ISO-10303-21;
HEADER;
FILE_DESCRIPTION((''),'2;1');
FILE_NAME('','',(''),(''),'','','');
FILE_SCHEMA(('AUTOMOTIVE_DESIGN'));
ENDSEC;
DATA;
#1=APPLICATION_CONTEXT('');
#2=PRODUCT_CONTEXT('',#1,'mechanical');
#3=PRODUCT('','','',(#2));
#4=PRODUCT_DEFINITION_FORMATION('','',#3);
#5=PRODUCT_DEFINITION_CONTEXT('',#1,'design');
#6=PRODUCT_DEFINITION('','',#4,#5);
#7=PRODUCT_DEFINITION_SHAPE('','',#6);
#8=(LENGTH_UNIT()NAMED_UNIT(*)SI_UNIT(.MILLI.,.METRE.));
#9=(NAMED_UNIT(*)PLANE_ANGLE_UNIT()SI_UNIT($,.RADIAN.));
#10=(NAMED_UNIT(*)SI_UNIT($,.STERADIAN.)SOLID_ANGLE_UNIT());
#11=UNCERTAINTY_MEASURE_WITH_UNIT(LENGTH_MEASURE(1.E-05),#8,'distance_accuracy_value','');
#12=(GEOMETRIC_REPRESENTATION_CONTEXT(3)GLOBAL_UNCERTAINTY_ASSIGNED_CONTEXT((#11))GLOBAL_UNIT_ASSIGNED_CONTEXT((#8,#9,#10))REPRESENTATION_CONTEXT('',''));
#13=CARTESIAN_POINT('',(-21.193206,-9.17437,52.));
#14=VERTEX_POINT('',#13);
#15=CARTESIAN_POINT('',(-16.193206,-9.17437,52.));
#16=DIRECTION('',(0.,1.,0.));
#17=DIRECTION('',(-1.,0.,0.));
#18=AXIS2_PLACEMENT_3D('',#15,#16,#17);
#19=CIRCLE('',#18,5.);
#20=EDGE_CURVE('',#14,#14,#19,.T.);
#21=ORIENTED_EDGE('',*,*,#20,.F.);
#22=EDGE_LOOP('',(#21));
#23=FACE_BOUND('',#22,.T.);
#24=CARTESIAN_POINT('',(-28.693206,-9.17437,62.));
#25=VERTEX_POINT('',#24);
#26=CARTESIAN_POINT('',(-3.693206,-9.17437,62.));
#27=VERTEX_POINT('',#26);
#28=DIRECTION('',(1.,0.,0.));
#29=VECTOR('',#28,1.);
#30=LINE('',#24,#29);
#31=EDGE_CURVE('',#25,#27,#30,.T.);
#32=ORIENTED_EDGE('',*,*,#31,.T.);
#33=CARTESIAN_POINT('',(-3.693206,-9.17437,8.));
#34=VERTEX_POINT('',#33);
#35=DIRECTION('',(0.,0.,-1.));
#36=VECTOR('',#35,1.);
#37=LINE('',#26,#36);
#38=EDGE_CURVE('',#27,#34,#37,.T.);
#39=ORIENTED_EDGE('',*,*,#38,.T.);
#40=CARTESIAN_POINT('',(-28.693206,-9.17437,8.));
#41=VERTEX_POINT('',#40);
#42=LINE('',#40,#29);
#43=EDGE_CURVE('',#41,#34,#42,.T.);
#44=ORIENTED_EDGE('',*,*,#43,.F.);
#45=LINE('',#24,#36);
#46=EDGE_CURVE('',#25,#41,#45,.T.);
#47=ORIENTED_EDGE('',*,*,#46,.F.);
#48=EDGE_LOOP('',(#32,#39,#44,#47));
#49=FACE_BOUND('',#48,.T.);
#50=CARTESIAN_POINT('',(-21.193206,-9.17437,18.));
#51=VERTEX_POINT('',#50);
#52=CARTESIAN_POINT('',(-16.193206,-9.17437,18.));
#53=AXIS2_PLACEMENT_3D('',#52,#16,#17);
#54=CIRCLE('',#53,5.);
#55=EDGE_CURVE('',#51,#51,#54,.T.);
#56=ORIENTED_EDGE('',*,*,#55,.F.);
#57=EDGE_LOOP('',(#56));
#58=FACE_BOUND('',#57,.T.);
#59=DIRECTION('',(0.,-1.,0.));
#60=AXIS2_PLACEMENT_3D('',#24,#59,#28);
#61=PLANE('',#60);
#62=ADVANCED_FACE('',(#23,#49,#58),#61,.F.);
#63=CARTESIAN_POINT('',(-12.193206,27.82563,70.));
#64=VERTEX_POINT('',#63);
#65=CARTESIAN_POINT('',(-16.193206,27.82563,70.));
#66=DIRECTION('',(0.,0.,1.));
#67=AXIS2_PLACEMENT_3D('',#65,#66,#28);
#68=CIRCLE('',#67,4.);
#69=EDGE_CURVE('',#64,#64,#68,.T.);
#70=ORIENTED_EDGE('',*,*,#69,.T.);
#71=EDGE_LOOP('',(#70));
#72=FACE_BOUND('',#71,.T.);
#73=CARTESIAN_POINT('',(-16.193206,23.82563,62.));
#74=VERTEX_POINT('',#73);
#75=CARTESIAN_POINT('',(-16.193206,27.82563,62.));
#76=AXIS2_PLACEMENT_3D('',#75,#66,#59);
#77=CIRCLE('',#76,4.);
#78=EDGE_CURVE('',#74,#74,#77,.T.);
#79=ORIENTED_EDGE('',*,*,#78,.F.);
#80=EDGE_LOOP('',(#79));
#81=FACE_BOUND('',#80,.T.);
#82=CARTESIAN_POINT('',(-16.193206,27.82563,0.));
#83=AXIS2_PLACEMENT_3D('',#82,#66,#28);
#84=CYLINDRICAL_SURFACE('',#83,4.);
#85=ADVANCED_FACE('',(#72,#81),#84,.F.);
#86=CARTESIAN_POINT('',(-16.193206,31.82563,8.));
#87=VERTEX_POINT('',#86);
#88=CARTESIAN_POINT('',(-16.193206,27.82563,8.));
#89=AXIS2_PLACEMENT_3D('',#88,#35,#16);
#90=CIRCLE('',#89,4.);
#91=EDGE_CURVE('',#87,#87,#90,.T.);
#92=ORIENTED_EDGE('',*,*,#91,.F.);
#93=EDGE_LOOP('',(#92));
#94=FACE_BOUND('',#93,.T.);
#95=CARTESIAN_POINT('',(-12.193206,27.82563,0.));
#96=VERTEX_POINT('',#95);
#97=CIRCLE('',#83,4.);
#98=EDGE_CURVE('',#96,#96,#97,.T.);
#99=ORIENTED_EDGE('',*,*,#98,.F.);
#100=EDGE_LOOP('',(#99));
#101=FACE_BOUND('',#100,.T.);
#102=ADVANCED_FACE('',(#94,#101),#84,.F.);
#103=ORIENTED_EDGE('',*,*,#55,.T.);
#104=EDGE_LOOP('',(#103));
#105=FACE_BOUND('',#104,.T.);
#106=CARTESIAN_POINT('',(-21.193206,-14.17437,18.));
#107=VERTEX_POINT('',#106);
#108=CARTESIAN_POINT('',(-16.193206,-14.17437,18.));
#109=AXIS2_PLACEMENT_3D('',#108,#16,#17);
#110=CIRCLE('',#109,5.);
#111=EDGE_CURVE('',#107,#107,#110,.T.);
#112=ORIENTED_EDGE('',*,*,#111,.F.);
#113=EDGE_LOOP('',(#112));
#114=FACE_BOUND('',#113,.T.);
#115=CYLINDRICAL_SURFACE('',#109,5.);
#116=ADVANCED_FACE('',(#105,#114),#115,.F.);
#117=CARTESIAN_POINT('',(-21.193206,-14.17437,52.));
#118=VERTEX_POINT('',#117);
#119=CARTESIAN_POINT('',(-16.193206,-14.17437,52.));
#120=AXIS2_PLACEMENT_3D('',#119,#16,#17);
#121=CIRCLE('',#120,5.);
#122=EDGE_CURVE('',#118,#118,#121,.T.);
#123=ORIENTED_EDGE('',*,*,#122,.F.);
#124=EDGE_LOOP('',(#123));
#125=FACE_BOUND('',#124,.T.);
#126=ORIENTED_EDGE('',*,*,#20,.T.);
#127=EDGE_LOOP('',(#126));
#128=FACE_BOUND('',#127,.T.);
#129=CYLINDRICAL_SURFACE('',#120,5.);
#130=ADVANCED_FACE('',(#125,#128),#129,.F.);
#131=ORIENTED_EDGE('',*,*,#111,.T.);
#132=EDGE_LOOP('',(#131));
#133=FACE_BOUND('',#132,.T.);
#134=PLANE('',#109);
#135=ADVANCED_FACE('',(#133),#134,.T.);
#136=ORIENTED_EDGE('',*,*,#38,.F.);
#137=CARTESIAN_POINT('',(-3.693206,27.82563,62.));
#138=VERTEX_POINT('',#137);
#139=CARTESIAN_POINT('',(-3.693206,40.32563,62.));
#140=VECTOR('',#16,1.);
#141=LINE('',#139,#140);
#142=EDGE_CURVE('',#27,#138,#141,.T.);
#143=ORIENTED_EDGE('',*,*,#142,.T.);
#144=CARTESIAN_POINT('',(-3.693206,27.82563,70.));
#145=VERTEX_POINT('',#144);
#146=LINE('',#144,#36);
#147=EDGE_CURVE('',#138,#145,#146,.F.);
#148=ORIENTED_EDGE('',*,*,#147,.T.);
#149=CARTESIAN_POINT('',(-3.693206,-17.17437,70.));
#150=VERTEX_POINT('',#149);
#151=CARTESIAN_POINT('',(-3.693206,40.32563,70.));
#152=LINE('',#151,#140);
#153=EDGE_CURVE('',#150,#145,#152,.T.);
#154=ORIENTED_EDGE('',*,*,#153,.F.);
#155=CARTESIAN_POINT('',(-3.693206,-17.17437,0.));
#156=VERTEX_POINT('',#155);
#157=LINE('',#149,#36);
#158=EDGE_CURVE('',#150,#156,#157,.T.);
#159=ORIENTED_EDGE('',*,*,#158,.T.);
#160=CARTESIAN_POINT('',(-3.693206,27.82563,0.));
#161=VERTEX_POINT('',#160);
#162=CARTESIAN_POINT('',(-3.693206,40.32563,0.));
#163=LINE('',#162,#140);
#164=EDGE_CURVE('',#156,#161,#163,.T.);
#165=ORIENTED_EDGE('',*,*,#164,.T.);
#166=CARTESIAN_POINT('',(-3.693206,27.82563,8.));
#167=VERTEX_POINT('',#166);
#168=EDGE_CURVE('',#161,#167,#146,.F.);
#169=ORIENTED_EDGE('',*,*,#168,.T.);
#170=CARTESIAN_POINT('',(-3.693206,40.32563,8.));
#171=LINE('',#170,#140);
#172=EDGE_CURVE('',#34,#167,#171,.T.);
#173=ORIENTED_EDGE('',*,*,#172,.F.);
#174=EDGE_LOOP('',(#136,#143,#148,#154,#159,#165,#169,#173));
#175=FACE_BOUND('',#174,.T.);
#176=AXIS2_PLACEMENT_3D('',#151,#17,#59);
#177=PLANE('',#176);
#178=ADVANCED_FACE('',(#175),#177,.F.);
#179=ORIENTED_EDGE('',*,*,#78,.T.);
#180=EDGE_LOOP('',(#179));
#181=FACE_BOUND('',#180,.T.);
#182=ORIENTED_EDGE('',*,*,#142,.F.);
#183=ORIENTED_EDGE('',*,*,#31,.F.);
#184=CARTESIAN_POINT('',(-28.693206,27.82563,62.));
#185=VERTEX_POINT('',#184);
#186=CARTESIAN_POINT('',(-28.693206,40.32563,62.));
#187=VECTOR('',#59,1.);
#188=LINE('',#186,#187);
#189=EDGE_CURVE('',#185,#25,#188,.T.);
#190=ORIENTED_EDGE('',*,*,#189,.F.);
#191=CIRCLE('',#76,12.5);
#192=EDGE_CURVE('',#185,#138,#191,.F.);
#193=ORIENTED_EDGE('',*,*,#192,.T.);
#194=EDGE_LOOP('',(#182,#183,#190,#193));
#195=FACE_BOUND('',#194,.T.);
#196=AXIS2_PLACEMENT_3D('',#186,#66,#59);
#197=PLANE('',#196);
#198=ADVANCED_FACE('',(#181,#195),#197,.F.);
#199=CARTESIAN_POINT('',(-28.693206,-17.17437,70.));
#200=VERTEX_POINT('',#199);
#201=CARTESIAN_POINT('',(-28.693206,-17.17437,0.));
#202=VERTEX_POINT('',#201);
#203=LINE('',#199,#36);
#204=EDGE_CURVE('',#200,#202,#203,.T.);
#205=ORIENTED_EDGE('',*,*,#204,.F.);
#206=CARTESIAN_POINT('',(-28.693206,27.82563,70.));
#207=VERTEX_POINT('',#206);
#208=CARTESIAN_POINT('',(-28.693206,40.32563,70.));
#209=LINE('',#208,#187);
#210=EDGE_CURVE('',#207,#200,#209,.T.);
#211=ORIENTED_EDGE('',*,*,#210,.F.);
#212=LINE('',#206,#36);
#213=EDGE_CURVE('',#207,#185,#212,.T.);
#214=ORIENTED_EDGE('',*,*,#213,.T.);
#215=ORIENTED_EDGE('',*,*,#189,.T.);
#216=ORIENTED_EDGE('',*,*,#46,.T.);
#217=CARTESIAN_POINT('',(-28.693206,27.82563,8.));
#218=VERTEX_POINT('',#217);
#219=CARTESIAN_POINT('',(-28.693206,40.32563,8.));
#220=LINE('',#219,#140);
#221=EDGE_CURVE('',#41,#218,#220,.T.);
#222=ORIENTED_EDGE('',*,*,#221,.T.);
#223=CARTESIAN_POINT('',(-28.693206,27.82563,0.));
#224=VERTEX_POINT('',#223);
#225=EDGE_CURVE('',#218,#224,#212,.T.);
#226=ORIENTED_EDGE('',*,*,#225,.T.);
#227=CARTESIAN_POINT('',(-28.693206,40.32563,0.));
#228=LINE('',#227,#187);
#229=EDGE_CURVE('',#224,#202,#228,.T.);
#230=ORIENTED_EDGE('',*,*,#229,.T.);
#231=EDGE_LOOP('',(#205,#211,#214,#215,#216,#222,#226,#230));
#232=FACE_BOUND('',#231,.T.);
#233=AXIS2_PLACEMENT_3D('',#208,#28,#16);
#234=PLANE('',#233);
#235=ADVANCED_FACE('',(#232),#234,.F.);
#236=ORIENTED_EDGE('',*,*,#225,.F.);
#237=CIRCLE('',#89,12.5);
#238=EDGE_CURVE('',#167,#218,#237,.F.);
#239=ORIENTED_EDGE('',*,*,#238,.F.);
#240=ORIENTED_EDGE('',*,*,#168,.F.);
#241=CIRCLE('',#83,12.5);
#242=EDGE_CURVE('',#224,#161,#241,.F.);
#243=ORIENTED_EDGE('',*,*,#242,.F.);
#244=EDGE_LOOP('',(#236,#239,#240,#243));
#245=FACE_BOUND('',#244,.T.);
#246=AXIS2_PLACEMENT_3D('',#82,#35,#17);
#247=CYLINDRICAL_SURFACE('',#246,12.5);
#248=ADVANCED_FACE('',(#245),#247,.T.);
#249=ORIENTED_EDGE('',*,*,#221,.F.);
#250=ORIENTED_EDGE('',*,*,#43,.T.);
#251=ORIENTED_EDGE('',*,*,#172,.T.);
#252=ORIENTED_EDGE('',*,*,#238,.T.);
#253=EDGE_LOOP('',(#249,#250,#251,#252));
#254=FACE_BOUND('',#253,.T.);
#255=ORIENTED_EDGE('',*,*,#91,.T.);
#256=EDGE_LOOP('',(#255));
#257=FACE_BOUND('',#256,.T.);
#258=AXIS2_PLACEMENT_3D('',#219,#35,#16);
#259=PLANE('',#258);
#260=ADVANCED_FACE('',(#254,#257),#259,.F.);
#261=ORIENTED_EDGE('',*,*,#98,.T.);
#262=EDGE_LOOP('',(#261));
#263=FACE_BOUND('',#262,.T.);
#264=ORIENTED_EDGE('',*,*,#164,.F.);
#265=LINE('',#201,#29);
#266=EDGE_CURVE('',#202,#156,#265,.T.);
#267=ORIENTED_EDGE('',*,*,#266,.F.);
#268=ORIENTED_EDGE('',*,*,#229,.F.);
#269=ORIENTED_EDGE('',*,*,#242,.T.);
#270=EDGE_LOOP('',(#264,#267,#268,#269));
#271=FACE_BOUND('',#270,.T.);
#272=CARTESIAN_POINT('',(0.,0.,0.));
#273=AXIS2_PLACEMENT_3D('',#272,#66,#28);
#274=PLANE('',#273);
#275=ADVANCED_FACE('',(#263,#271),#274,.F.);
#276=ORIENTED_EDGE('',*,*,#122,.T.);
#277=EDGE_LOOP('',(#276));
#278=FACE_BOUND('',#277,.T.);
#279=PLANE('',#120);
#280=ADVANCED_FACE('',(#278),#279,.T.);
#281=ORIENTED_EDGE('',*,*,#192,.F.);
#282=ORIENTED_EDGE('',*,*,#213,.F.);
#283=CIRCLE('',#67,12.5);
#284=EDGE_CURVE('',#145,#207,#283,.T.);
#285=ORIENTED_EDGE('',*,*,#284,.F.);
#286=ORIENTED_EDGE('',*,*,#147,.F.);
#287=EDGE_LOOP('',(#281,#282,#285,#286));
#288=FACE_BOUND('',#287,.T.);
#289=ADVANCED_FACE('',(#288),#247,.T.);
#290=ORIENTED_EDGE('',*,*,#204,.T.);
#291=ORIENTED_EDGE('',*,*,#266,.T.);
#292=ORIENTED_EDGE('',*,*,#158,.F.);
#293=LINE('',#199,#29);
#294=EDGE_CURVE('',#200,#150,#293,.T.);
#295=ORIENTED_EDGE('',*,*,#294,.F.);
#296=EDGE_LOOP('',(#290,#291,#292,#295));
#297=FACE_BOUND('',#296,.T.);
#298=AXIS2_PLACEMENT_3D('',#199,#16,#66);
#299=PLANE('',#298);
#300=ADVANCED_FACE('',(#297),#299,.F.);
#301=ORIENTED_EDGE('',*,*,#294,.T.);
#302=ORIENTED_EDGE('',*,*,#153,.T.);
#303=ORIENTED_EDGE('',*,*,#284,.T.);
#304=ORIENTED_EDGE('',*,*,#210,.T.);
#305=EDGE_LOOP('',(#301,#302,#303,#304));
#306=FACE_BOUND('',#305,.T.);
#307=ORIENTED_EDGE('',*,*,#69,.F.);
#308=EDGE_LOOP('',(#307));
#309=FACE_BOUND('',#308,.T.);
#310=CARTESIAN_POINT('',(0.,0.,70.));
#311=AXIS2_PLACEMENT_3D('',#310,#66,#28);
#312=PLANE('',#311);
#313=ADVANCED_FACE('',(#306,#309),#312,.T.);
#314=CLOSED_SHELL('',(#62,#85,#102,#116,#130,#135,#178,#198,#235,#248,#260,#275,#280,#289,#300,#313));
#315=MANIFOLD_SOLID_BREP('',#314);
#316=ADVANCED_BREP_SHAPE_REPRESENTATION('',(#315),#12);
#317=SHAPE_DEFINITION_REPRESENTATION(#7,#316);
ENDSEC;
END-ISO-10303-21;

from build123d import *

# Parameters (mm, degrees)
IZIM1_W                     = 25
IZIM1_H                     = 57.5
Y_KSEKLIK_EKSTR_ZYON1_DEPTH = 70
RADYUS1_RADIUS              = 12.5
RADYUS1_LENGTH              = 70
IZIM3_W                     = 54
IZIM3_H                     = 49.5
KES_EKSTR_ZYON1_DEPTH       = 85.564510613
IZIM4_R                     = 5
KES_EKSTR_ZYON2_DEPTH       = 5
IZIM5_R                     = 4
KES_EKSTR_ZYON3_DEPTH       = 86.728971246


with BuildPart() as part:
    # Çizim1 → Yükseklik-Ekstrüzyon1 (new body)
    with BuildSketch(Plane.XY):
        with Locations((-16.193205739, 11.575630252)):
            Rectangle(IZIM1_W, IZIM1_H)
    extrude(amount=Y_KSEKLIK_EKSTR_ZYON1_DEPTH)

    # Radyus1: full round fillet: the end face becomes a half cylinder, R = half its width
    radyus1_face = Plane((-16.193205739, 40.325630252, 35), x_dir=(0, 0, 1), z_dir=(0, 1, 0))  # on the end face: x along it, z out of the body
    radyus1_slab = radyus1_face.offset(-RADYUS1_RADIUS / 2) * Box(RADYUS1_LENGTH, 2 * RADYUS1_RADIUS, RADYUS1_RADIUS, mode=Mode.PRIVATE)  # the body's end, R deep
    radyus1_round = Plane((-16.193205739, 27.825630252, 35), x_dir=(0, 1, 0), z_dir=(0, 0, 1)) * Cylinder(RADYUS1_RADIUS, RADYUS1_LENGTH, mode=Mode.PRIVATE)  # its axis R under the face
    add(radyus1_slab - radyus1_round, mode=Mode.SUBTRACT)

    # Çizim3 → Kes-Ekstrüzyon1 (cut, through all)
    with BuildSketch(Plane(origin=(-3.693205739, 0, 0), x_dir=(0, 0, -1), z_dir=(1, 0, 0))):
        with Locations((-35, 15.575630252)):
            Rectangle(IZIM3_W, IZIM3_H)
    extrude(amount=-KES_EKSTR_ZYON1_DEPTH, mode=Mode.SUBTRACT)

    # Çizim4 → Kes-Ekstrüzyon2 (cut)
    with BuildSketch(Plane(origin=(0, -9.174369748, 0), x_dir=(1, 0, 0), z_dir=(0, 1, 0))):
        with Locations(Location((-16.193205739, -18, 0), (0, 0, 180))):
            Circle(IZIM4_R)
        with Locations(Location((-16.193205739, -52, 0), (0, 0, 180))):
            Circle(IZIM4_R)
    extrude(amount=-KES_EKSTR_ZYON2_DEPTH, mode=Mode.SUBTRACT)

    # Çizim5 → Kes-Ekstrüzyon3 (cut, through all)
    with BuildSketch(Plane.XY.offset(70)):
        with Locations((-16.193205739, 27.825630252)):
            Circle(IZIM5_R)
    extrude(amount=-KES_EKSTR_ZYON3_DEPTH, mode=Mode.SUBTRACT)


solid = part.part
